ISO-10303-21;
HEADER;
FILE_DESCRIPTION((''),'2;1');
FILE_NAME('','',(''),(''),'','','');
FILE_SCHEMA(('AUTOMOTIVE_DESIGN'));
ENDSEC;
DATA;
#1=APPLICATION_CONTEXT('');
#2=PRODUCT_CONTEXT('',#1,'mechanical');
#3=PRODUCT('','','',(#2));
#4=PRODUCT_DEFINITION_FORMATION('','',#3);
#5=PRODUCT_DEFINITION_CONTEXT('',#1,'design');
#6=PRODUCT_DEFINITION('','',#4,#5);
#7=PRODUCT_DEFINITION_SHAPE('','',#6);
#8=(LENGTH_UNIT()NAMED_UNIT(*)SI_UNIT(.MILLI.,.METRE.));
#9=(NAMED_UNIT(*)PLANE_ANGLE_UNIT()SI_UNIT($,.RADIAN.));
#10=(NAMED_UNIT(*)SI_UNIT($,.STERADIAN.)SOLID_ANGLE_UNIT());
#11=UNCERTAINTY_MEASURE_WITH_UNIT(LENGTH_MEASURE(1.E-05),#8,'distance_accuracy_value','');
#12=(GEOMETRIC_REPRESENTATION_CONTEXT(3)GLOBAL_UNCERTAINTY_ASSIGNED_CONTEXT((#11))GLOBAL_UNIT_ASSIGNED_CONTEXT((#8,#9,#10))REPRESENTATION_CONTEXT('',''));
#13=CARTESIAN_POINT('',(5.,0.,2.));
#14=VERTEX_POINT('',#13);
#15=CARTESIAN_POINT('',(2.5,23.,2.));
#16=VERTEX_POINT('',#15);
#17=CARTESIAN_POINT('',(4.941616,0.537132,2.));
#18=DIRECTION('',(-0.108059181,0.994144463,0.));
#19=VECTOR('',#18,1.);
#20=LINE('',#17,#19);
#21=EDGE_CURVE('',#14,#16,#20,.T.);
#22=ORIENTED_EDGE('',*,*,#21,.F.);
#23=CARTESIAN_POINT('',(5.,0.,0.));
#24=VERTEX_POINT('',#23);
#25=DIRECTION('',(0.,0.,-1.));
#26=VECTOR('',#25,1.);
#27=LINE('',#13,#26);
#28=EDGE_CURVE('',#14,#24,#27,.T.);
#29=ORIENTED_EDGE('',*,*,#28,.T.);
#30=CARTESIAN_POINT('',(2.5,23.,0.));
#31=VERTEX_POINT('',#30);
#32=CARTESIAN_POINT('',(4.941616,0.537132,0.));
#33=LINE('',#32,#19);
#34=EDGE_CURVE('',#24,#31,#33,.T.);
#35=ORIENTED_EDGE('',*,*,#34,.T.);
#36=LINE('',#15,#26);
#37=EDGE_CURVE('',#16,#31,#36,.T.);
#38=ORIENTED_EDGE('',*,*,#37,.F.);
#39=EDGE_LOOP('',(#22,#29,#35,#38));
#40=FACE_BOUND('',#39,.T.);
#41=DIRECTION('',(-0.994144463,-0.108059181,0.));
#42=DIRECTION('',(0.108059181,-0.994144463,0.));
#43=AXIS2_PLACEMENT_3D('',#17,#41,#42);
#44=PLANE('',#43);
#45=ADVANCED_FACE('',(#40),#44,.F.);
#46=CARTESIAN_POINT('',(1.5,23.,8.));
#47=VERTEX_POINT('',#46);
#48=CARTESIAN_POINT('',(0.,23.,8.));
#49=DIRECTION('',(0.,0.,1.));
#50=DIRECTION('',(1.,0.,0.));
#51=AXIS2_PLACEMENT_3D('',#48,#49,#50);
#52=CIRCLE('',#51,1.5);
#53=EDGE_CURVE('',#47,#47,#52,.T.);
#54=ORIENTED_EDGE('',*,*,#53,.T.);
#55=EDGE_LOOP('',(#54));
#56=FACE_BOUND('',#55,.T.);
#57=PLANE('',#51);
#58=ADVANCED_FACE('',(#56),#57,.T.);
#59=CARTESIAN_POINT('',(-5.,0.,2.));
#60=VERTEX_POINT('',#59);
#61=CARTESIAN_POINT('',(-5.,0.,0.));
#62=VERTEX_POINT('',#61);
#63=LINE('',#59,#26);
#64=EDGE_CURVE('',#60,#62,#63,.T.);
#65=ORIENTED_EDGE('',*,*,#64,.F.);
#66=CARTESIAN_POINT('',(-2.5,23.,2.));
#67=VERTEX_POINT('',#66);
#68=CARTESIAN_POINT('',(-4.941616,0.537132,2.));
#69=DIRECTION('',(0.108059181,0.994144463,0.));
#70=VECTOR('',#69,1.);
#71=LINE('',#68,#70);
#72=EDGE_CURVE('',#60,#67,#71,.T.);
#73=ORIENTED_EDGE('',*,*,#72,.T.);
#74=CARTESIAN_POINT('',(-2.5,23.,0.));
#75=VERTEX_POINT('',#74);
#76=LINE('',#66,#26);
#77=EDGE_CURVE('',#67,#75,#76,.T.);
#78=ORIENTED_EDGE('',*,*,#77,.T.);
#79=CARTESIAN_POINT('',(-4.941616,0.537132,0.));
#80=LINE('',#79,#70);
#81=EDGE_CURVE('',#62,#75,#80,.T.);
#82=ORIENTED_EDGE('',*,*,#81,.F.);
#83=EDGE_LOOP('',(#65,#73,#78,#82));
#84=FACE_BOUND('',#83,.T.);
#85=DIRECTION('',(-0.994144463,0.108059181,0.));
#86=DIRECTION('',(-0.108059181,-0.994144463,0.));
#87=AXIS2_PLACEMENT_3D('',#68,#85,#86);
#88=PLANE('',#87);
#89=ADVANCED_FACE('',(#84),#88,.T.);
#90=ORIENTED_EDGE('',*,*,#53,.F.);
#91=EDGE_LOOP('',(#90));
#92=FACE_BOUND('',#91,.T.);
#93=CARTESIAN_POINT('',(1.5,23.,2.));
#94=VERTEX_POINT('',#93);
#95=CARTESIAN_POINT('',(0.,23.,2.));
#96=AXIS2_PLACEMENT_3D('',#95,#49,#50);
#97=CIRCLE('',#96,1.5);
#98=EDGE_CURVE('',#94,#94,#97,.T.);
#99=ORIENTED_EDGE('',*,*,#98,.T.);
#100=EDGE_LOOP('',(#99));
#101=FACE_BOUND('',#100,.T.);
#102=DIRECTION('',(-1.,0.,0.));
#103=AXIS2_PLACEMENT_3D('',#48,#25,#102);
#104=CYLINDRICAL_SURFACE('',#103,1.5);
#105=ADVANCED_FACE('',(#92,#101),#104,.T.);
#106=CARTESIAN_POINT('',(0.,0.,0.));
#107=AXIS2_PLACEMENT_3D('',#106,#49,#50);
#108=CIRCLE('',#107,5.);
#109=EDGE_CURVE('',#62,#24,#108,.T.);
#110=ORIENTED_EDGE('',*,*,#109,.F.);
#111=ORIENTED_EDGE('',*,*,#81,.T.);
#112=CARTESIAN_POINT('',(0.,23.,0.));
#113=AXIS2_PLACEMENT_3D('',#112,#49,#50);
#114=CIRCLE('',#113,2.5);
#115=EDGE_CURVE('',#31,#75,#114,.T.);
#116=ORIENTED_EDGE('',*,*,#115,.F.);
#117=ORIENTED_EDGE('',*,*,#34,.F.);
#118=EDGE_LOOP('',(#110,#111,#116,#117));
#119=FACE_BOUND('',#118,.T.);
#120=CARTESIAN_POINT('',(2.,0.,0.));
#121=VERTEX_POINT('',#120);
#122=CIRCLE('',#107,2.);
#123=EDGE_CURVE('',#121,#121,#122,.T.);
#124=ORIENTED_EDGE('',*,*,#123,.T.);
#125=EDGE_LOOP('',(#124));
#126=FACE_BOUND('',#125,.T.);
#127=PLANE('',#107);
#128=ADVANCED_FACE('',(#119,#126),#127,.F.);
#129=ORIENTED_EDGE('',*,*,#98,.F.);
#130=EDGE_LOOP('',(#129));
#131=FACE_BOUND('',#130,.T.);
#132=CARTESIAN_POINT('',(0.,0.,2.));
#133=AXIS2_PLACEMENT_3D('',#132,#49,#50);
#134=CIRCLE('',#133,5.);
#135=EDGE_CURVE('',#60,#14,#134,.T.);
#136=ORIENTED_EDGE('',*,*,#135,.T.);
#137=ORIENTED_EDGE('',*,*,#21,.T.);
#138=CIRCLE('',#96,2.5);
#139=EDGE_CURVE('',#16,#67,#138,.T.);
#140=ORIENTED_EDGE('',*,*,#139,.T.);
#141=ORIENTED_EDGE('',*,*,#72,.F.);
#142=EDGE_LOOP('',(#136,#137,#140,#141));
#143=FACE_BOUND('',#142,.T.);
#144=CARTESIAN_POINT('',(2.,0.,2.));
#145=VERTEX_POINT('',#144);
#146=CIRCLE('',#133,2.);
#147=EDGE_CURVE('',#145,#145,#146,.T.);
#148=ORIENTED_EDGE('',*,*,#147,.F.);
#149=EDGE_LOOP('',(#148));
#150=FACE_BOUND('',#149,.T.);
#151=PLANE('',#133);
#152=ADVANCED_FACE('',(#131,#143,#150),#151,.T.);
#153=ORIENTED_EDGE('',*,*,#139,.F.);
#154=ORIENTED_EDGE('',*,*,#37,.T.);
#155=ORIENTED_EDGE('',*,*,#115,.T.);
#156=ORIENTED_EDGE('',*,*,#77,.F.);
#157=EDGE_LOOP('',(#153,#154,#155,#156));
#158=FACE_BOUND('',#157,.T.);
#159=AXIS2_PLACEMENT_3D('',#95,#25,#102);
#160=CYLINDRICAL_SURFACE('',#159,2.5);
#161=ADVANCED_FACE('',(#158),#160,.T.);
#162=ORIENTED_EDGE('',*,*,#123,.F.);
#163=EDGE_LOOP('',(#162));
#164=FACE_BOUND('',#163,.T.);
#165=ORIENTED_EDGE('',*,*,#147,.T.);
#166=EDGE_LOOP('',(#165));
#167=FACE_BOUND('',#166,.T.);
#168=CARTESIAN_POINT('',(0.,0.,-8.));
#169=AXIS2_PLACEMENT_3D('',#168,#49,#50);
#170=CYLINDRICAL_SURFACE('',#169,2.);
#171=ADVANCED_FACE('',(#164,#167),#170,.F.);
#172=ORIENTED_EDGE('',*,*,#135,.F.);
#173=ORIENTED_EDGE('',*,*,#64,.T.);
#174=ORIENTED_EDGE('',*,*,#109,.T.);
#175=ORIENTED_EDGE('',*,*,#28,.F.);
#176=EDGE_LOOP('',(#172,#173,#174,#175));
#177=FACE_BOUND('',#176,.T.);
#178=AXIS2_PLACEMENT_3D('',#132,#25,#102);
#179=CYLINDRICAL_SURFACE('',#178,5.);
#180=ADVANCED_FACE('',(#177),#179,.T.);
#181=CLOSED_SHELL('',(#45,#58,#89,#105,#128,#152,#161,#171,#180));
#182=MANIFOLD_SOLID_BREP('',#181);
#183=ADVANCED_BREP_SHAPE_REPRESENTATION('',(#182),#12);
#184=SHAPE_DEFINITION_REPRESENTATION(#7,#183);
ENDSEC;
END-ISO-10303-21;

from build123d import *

# Parameters (mm, degrees)
SKETCH1_R           = 1.5
BOSS_EXTRUDE1_DEPTH = 2
SKETCH1_3_R         = 1.5
BOSS_EXTRUDE2_DEPTH = 8
SKETCH2_R           = 2
CUT_EXTRUDE1_DEPTH  = 10


with BuildPart() as part:
    # Sketch1 → Boss-Extrude1 (new body)
    with BuildSketch(Plane.XY):
        with BuildLine():
            Line((-4.883232135, 1.074264362), (-5, 0))
            ThreePointArc((-5, 0), (0, -5), (5, 0))
            Line((5, 0), (4.883232135, 1.074264362))
            Line((4.883232135, 1.074264362), (2.5, 23))
            ThreePointArc((2.5, 23), (0, 25.5), (-2.5, 23))
            Line((-2.5, 23), (-4.883232135, 1.074264362))
        make_face()
        with Locations((0, 23)):
            Circle(SKETCH1_R, mode=Mode.SUBTRACT)
    extrude(amount=BOSS_EXTRUDE1_DEPTH)

    # Sketch1<3> → Boss-Extrude2 (add)
    with BuildSketch(Plane.XY):
        with Locations((0, 23)):
            Circle(SKETCH1_3_R)
    extrude(amount=BOSS_EXTRUDE2_DEPTH)

    # Sketch2 → Cut-Extrude1 (cut)
    with BuildSketch(Plane.XY.offset(2)):
        Circle(SKETCH2_R)
    extrude(amount=-CUT_EXTRUDE1_DEPTH, mode=Mode.SUBTRACT)


solid = part.part
